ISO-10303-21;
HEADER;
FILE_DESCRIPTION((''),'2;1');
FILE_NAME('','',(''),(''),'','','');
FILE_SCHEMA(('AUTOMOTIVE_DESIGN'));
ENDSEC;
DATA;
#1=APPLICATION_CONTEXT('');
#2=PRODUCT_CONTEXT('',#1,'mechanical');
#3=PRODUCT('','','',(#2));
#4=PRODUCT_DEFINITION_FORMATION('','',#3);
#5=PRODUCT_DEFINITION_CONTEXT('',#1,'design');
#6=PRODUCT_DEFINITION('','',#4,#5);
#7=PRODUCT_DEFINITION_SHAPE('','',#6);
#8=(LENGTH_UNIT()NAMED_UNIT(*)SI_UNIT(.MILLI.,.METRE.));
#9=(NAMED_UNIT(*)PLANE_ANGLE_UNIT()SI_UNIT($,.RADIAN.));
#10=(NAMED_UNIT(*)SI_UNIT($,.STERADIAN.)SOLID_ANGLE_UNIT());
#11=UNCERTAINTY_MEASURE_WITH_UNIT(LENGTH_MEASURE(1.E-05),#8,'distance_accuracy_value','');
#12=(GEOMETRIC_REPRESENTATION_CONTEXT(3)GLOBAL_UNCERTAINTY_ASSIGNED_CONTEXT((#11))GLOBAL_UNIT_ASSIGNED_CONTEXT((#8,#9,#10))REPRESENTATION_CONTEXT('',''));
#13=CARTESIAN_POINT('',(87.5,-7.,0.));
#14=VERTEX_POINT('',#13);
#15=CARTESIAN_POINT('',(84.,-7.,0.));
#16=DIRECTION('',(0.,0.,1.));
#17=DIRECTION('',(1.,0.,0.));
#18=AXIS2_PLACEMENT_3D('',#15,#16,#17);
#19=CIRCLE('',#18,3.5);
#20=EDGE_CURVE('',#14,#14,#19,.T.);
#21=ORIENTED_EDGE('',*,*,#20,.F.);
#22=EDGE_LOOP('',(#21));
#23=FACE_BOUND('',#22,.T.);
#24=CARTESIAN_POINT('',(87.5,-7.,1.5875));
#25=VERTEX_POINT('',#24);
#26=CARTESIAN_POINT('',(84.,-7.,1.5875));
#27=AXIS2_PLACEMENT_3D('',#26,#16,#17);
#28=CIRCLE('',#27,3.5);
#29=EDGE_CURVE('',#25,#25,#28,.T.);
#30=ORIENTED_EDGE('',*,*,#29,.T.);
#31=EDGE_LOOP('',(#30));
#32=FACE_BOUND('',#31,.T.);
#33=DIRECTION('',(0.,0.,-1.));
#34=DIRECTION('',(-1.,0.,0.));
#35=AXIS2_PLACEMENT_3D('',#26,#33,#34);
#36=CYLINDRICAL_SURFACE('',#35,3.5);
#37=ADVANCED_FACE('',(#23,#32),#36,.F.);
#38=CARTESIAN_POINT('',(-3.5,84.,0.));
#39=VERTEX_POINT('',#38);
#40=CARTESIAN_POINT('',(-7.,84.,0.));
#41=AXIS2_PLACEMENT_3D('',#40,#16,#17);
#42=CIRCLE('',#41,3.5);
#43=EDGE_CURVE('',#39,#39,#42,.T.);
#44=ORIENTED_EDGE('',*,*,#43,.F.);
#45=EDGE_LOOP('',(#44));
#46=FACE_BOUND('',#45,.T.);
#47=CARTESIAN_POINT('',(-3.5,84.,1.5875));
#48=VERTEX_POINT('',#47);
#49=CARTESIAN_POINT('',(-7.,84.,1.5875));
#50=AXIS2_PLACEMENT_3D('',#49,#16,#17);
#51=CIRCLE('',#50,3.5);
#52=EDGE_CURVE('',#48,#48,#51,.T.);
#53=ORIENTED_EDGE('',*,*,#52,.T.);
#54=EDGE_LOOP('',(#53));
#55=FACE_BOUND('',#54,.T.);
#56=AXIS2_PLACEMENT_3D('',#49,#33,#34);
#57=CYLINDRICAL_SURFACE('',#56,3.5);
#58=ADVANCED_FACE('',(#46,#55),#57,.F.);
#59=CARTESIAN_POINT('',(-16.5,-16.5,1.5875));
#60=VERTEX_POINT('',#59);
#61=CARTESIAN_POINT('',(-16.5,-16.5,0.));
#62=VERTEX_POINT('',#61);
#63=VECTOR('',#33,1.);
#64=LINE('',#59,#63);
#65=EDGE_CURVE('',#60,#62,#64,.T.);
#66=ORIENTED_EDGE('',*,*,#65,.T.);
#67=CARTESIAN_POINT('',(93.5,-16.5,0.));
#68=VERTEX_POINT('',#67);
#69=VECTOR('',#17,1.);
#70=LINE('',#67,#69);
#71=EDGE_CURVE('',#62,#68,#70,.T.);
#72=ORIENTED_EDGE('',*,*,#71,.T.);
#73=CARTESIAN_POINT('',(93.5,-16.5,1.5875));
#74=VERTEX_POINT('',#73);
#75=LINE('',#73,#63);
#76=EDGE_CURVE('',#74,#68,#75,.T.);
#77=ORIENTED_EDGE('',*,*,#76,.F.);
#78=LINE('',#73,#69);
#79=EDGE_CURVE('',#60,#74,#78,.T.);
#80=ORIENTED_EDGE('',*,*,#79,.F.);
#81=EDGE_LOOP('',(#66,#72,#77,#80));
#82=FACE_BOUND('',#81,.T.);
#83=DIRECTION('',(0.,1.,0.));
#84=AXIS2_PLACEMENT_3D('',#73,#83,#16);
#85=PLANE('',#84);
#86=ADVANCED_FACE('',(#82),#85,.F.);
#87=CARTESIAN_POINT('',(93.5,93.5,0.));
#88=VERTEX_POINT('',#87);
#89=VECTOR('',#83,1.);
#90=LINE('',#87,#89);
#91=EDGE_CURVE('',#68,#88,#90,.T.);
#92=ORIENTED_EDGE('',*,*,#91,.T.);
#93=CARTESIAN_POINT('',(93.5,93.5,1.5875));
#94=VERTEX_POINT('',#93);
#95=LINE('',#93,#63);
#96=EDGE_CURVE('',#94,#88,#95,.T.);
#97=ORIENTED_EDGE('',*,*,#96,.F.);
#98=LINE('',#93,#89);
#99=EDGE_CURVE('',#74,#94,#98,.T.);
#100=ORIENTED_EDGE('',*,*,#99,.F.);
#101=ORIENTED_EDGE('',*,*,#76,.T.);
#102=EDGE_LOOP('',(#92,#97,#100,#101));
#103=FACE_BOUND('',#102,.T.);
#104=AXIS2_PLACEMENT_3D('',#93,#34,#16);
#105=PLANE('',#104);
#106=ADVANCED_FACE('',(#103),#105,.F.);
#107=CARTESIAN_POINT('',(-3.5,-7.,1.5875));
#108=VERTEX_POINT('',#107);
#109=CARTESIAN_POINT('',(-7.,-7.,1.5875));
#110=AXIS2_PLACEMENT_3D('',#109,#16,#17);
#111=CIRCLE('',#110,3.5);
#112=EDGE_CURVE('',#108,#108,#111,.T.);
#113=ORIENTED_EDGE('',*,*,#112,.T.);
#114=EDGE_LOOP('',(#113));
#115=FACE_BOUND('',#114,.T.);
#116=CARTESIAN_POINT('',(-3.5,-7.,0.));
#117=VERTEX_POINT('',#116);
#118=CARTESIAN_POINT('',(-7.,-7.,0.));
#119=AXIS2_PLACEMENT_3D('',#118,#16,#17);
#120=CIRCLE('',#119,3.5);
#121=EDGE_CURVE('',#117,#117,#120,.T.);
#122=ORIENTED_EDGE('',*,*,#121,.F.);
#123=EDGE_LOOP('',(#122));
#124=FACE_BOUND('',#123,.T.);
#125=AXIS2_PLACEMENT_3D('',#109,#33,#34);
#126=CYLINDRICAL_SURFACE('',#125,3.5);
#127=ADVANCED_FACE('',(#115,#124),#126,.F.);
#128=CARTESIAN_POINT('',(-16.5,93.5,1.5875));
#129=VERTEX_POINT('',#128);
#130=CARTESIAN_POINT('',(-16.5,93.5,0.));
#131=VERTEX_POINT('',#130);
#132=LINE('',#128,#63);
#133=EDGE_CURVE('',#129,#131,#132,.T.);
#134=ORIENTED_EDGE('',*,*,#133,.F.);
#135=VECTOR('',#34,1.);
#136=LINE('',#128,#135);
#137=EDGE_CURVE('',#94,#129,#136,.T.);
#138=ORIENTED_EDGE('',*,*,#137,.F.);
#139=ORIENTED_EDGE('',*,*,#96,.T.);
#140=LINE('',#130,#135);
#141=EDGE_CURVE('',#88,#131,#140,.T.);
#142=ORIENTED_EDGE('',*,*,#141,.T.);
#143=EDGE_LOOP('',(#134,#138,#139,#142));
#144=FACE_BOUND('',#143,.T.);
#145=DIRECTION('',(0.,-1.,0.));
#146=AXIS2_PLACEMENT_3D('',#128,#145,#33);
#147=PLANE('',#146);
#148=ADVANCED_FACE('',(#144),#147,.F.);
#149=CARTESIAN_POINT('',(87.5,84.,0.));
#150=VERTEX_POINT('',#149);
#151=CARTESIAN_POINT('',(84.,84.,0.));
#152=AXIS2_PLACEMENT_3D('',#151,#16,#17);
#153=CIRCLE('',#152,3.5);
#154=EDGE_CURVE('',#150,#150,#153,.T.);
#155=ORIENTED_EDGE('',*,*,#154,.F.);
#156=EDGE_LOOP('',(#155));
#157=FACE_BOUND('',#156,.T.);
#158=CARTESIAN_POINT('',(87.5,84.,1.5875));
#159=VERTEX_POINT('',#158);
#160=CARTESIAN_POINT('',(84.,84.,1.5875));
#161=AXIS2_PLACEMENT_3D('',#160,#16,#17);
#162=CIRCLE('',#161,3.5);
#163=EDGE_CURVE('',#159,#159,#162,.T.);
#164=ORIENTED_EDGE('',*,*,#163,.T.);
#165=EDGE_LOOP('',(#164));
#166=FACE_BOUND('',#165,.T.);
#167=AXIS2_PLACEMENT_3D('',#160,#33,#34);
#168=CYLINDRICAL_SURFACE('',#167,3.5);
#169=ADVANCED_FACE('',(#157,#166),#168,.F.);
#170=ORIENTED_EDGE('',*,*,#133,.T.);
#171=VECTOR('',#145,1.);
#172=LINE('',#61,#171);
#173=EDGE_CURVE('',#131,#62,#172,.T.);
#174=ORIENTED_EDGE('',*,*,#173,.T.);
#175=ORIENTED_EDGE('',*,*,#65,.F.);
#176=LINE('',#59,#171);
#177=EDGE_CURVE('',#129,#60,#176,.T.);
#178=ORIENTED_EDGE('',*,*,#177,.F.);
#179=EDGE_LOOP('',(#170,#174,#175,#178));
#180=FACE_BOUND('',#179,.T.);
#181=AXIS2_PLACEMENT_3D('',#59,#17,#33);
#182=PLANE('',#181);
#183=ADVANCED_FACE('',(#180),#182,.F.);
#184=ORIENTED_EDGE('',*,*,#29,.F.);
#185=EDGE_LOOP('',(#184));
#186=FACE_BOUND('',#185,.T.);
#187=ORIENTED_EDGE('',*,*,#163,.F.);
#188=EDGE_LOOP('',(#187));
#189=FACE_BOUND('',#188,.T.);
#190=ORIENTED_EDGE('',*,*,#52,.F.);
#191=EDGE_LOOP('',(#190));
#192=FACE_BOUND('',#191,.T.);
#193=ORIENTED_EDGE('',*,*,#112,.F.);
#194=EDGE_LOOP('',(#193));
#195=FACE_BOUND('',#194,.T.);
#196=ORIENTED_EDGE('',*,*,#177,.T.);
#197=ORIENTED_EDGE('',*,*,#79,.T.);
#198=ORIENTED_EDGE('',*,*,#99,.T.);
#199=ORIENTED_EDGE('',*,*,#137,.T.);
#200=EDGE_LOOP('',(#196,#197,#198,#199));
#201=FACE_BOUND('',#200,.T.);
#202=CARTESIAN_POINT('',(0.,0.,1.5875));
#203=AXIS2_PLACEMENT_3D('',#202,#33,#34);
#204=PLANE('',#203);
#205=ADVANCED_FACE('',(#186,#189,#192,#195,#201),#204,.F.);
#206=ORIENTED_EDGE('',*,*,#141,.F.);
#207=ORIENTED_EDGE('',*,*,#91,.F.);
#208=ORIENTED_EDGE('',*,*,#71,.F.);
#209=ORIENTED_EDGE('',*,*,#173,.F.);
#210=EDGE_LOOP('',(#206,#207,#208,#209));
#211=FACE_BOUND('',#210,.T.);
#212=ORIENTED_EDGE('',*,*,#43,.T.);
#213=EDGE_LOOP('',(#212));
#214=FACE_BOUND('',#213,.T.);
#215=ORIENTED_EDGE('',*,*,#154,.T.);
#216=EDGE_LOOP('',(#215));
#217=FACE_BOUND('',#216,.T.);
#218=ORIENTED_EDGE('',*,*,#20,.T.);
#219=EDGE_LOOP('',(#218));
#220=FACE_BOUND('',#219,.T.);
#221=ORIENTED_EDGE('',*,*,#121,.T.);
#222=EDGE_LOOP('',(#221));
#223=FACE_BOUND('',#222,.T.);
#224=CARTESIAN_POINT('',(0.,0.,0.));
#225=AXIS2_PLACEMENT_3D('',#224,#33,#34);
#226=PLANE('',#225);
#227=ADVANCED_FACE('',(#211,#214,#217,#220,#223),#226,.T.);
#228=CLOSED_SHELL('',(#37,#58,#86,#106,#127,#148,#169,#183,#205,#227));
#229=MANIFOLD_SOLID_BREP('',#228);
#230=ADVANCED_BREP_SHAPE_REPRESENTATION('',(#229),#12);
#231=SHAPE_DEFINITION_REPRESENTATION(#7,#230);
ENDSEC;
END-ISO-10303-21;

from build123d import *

# Parameters (mm, degrees)
MODEL_W             = 110
MODEL_H             = 110
MODEL_R             = 3.5
BOSS_EXTRUDE1_DEPTH = 1.5875


with BuildPart() as part:
    # Model → Boss-Extrude1 (new body)
    with BuildSketch(Plane.XY):
        with Locations((38.5, 38.5)):
            Rectangle(MODEL_W, MODEL_H)
        with Locations((84, 84)):
            Circle(MODEL_R, mode=Mode.SUBTRACT)
        with Locations((-7, 84)):
            Circle(MODEL_R, mode=Mode.SUBTRACT)
        with Locations((-7, -7)):
            Circle(MODEL_R, mode=Mode.SUBTRACT)
        with Locations((84, -7)):
            Circle(MODEL_R, mode=Mode.SUBTRACT)
    extrude(amount=BOSS_EXTRUDE1_DEPTH)


solid = part.part
